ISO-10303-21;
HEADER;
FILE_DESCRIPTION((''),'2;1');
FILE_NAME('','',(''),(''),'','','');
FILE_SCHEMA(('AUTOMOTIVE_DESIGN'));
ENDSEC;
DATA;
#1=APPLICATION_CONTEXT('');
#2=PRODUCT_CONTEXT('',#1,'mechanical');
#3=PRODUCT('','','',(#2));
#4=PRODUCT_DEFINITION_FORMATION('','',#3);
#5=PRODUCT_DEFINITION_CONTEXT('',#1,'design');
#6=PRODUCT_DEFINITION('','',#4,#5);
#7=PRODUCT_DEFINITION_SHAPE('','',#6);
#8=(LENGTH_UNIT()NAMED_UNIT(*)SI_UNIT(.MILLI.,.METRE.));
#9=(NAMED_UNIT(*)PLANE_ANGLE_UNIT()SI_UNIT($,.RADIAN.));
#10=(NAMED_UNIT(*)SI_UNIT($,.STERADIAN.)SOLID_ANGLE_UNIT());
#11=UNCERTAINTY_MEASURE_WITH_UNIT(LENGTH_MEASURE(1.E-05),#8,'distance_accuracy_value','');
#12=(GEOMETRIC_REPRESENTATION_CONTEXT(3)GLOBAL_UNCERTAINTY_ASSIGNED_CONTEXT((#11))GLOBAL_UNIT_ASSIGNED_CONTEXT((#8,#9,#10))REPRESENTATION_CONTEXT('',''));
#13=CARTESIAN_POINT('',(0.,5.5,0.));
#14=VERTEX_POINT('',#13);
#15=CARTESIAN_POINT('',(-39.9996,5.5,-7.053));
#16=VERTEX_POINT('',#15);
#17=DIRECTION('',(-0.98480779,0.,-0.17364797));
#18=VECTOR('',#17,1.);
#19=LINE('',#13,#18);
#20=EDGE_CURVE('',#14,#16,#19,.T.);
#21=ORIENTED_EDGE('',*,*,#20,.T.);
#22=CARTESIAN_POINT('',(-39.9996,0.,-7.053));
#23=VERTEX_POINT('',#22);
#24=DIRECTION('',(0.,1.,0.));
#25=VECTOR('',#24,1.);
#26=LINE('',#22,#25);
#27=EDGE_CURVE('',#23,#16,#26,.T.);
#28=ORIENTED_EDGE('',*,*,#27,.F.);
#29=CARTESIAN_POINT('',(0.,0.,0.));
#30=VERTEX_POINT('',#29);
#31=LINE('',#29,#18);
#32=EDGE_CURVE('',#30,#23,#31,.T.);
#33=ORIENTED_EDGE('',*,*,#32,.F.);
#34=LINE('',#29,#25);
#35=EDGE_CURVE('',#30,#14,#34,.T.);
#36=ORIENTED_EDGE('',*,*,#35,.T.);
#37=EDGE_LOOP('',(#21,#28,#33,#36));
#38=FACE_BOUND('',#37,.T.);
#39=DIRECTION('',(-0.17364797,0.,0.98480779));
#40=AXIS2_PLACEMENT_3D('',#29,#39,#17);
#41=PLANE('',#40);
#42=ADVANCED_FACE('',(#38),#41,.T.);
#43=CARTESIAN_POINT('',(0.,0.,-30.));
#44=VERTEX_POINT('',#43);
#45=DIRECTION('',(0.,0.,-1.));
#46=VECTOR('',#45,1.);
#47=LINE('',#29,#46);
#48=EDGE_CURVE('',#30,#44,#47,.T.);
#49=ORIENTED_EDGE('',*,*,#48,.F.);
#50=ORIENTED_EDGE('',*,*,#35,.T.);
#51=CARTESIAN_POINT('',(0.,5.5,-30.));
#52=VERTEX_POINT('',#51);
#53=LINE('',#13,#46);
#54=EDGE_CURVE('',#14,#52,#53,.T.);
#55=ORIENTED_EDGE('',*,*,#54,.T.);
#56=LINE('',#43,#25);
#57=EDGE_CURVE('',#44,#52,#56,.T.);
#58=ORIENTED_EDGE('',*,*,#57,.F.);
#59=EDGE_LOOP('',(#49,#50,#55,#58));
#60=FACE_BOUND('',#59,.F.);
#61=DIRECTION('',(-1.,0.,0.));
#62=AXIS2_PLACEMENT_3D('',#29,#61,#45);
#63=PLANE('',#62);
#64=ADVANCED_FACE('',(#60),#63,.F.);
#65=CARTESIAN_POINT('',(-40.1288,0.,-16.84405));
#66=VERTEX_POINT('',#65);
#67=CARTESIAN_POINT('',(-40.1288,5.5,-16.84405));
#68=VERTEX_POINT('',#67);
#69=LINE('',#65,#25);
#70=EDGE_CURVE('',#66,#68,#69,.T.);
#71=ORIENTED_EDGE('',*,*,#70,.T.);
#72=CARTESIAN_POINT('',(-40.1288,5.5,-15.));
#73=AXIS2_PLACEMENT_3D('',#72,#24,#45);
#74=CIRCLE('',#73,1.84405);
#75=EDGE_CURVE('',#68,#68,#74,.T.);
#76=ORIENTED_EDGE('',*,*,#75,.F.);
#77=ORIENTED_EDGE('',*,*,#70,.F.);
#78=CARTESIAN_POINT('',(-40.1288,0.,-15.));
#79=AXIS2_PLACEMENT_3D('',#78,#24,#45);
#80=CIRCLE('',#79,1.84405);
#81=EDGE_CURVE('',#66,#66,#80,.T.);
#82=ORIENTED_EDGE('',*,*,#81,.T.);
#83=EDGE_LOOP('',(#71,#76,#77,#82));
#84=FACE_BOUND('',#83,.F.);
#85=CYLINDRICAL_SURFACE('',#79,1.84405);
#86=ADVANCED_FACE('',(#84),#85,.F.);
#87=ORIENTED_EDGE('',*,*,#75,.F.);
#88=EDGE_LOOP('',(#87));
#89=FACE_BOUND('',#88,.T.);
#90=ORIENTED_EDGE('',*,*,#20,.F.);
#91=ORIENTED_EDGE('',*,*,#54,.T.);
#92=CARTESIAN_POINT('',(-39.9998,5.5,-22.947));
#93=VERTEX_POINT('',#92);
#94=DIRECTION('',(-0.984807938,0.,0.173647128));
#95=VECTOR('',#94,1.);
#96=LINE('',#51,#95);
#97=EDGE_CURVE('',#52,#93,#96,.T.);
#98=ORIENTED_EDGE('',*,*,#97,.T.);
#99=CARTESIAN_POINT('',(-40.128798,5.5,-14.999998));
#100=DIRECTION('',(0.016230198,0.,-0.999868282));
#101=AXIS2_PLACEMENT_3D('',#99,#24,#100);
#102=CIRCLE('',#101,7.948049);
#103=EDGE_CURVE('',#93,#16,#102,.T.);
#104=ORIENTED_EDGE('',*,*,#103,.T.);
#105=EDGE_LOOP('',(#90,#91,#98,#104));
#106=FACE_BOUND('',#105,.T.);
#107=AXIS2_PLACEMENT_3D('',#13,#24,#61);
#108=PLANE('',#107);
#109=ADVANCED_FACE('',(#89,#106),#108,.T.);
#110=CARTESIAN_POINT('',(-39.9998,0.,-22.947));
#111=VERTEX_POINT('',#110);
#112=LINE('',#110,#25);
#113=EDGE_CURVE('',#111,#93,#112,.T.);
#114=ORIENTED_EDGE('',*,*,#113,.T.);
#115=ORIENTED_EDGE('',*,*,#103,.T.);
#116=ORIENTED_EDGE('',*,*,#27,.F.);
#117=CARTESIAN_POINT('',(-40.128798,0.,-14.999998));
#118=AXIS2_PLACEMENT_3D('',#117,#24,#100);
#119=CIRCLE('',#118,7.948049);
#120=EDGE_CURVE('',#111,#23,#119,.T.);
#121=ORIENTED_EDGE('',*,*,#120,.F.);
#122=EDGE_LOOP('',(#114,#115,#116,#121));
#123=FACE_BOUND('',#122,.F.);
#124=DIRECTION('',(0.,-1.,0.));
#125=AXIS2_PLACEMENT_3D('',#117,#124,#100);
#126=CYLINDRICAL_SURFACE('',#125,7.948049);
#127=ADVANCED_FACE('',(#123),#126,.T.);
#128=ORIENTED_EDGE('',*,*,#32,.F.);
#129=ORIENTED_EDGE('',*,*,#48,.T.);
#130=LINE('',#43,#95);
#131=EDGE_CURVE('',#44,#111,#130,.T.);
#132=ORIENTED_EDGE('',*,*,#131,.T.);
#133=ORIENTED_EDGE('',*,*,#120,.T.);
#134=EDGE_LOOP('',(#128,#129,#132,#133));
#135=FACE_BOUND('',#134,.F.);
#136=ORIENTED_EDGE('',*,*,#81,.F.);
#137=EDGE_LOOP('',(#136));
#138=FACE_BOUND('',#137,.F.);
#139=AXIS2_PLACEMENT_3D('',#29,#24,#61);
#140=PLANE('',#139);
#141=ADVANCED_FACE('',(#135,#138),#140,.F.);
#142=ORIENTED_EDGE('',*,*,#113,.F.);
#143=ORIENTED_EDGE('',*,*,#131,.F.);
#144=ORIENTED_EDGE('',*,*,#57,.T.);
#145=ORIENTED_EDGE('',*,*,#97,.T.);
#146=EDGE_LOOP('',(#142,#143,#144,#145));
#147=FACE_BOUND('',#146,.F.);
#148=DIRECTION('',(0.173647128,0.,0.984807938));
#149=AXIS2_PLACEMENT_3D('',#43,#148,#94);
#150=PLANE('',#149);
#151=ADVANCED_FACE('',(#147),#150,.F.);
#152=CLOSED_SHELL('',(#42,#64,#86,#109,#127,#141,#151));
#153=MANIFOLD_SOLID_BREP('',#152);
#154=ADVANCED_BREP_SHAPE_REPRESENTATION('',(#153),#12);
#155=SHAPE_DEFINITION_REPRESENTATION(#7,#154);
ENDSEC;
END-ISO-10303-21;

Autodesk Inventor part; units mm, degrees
ref_plane "YZ Plane" through (0, 0, 0) normal (1, 0, 0) x (0, 1, 0)
ref_plane "XZ Plane" through (0, 0, 0) normal (0, 1, 0) x (-1, 0, 0)
ref_plane "XY Plane" through (0, 0, 0) normal (0, 0, 1) x (1, 0, 0)
sketch "Sketch1" plane through (0, 0, 0) normal (0, 1, 0) x (-1, 0, 0)
  line L0 (0, 0) -> (0, -30)
  line L1 (0, 0) -> (39.9996, -7.053)
  line L2 (0, -30) -> (39.9998, -22.947)
  arc A0 (39.9998, -22.947) -> (39.9996, -7.053) centre (40.1288, -15) ccw
  dimension "d0" = 30
  dimension "d1" = 80
  dimension "d4" = 80
  dimension "d7" = 15.896
  dimension "d9" = 40.1288
  dimension "d10" = 7.8038
extrude "Extrusion1" add sketch "Sketch1" along normal blind 5.5
hole "Hole1" at (-40.1288, 0, -15) direction (0, 1, 0) diameter 3.6881 depth 13 tip angle 118 thread size "M4.5x0.75" class "6H" standard "ISO Metric profile"
properties part number "wea abajo movil"
